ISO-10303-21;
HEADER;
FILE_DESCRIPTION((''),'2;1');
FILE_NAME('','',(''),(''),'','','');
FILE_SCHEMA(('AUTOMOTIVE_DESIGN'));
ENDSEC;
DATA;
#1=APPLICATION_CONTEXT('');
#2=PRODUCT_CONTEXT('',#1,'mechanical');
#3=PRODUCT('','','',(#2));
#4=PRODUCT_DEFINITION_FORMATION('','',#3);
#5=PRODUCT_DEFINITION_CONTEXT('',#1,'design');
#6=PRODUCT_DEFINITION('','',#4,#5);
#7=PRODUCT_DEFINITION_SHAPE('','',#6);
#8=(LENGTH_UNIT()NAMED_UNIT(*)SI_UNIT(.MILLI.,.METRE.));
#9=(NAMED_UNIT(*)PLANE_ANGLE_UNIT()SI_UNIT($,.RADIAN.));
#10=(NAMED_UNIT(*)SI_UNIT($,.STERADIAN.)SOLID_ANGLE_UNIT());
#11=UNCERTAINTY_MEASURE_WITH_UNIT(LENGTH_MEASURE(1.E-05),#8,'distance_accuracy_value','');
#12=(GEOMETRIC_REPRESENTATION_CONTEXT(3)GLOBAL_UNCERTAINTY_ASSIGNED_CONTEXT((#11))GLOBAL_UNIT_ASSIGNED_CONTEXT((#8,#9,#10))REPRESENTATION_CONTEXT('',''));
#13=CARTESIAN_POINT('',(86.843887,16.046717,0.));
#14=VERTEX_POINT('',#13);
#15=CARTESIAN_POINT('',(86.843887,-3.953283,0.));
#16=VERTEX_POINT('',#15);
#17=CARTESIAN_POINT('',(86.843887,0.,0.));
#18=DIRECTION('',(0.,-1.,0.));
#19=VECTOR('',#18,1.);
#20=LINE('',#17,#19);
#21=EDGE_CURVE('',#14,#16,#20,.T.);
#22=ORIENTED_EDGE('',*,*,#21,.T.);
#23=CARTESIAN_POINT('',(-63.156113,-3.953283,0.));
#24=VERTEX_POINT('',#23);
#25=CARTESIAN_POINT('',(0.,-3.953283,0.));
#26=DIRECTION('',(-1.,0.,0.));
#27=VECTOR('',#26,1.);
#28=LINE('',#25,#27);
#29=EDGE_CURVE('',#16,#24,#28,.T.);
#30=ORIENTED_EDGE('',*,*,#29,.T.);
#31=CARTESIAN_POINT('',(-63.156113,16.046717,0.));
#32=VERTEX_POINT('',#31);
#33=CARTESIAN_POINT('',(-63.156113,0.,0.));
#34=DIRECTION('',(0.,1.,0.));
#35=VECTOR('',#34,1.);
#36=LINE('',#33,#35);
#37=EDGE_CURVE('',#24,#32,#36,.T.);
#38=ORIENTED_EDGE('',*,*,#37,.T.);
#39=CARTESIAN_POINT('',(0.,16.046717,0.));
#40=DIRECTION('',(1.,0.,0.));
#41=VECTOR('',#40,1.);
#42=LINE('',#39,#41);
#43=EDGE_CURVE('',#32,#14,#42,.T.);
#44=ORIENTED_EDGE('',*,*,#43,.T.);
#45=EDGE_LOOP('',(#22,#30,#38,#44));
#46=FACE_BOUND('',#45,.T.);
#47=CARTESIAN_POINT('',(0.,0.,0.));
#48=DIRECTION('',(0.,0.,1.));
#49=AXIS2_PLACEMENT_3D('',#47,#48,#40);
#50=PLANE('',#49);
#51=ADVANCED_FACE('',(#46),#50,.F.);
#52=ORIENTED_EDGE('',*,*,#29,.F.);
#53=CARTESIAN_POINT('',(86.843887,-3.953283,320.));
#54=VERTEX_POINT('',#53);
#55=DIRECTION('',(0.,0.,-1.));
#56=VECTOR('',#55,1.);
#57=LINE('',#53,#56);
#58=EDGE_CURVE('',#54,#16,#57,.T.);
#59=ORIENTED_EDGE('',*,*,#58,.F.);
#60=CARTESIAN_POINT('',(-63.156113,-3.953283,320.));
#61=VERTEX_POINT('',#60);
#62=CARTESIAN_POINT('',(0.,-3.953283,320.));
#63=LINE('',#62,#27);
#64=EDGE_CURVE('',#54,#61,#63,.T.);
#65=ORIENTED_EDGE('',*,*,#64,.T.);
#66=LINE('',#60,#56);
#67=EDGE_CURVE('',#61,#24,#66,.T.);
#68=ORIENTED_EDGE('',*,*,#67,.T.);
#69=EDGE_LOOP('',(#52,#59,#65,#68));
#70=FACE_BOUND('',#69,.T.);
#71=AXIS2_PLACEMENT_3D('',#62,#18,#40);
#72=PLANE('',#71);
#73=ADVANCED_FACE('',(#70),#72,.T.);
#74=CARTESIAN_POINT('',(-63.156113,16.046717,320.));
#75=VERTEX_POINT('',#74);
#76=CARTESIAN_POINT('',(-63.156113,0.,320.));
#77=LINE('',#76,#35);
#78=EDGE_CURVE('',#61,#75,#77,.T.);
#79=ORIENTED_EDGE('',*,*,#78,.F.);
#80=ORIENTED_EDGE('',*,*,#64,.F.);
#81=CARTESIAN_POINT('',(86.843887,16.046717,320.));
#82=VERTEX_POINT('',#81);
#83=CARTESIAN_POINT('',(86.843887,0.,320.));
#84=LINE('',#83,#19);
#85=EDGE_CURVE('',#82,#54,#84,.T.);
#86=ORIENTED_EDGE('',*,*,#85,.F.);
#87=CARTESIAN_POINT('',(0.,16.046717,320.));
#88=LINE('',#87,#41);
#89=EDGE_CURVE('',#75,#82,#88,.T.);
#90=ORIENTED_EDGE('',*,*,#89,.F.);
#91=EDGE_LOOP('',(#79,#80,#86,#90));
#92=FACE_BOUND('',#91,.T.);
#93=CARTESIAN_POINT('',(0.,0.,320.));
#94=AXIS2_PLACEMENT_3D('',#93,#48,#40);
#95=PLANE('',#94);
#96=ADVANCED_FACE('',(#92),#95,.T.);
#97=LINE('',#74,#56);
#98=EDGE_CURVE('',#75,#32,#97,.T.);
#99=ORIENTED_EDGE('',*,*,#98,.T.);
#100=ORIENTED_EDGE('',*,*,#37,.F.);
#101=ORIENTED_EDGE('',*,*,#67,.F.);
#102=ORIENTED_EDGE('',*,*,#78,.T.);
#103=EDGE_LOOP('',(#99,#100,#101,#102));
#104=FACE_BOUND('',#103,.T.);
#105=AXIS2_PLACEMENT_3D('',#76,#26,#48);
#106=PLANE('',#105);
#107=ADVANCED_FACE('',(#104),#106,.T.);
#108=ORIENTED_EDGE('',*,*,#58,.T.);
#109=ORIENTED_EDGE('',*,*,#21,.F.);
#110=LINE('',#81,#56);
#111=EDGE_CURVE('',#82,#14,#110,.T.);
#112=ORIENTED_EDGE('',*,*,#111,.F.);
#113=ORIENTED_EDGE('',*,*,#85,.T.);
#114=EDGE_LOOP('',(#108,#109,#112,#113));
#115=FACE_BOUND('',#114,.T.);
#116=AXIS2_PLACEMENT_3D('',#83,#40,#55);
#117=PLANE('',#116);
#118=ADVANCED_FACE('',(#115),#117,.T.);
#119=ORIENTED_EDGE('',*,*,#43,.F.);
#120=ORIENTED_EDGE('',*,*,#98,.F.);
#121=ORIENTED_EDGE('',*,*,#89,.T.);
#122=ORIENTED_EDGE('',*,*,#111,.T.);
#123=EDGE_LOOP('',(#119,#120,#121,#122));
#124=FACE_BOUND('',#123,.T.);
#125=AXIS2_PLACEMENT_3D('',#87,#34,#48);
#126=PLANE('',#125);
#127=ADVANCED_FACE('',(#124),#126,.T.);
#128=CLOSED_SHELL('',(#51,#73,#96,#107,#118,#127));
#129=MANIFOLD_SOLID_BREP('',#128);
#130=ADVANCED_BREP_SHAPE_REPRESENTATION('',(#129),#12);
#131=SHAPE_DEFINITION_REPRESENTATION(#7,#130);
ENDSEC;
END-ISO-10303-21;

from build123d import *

# Parameters (mm, degrees)
SALIENTE_EXTRUIR1_DEPTH = 320


with BuildPart() as part:
    # Croquis1 → Saliente-Extruir1 (new body)
    with BuildSketch(Plane.XY):
        Polygon((-63.156112569, -3.181911015), (-63.156112569, -3.953283382), (86.843887431, -3.953283382), (86.843887431, 16.046716618), (-63.156112569, 16.046716618), align=None)
    extrude(amount=SALIENTE_EXTRUIR1_DEPTH)


solid = part.part
